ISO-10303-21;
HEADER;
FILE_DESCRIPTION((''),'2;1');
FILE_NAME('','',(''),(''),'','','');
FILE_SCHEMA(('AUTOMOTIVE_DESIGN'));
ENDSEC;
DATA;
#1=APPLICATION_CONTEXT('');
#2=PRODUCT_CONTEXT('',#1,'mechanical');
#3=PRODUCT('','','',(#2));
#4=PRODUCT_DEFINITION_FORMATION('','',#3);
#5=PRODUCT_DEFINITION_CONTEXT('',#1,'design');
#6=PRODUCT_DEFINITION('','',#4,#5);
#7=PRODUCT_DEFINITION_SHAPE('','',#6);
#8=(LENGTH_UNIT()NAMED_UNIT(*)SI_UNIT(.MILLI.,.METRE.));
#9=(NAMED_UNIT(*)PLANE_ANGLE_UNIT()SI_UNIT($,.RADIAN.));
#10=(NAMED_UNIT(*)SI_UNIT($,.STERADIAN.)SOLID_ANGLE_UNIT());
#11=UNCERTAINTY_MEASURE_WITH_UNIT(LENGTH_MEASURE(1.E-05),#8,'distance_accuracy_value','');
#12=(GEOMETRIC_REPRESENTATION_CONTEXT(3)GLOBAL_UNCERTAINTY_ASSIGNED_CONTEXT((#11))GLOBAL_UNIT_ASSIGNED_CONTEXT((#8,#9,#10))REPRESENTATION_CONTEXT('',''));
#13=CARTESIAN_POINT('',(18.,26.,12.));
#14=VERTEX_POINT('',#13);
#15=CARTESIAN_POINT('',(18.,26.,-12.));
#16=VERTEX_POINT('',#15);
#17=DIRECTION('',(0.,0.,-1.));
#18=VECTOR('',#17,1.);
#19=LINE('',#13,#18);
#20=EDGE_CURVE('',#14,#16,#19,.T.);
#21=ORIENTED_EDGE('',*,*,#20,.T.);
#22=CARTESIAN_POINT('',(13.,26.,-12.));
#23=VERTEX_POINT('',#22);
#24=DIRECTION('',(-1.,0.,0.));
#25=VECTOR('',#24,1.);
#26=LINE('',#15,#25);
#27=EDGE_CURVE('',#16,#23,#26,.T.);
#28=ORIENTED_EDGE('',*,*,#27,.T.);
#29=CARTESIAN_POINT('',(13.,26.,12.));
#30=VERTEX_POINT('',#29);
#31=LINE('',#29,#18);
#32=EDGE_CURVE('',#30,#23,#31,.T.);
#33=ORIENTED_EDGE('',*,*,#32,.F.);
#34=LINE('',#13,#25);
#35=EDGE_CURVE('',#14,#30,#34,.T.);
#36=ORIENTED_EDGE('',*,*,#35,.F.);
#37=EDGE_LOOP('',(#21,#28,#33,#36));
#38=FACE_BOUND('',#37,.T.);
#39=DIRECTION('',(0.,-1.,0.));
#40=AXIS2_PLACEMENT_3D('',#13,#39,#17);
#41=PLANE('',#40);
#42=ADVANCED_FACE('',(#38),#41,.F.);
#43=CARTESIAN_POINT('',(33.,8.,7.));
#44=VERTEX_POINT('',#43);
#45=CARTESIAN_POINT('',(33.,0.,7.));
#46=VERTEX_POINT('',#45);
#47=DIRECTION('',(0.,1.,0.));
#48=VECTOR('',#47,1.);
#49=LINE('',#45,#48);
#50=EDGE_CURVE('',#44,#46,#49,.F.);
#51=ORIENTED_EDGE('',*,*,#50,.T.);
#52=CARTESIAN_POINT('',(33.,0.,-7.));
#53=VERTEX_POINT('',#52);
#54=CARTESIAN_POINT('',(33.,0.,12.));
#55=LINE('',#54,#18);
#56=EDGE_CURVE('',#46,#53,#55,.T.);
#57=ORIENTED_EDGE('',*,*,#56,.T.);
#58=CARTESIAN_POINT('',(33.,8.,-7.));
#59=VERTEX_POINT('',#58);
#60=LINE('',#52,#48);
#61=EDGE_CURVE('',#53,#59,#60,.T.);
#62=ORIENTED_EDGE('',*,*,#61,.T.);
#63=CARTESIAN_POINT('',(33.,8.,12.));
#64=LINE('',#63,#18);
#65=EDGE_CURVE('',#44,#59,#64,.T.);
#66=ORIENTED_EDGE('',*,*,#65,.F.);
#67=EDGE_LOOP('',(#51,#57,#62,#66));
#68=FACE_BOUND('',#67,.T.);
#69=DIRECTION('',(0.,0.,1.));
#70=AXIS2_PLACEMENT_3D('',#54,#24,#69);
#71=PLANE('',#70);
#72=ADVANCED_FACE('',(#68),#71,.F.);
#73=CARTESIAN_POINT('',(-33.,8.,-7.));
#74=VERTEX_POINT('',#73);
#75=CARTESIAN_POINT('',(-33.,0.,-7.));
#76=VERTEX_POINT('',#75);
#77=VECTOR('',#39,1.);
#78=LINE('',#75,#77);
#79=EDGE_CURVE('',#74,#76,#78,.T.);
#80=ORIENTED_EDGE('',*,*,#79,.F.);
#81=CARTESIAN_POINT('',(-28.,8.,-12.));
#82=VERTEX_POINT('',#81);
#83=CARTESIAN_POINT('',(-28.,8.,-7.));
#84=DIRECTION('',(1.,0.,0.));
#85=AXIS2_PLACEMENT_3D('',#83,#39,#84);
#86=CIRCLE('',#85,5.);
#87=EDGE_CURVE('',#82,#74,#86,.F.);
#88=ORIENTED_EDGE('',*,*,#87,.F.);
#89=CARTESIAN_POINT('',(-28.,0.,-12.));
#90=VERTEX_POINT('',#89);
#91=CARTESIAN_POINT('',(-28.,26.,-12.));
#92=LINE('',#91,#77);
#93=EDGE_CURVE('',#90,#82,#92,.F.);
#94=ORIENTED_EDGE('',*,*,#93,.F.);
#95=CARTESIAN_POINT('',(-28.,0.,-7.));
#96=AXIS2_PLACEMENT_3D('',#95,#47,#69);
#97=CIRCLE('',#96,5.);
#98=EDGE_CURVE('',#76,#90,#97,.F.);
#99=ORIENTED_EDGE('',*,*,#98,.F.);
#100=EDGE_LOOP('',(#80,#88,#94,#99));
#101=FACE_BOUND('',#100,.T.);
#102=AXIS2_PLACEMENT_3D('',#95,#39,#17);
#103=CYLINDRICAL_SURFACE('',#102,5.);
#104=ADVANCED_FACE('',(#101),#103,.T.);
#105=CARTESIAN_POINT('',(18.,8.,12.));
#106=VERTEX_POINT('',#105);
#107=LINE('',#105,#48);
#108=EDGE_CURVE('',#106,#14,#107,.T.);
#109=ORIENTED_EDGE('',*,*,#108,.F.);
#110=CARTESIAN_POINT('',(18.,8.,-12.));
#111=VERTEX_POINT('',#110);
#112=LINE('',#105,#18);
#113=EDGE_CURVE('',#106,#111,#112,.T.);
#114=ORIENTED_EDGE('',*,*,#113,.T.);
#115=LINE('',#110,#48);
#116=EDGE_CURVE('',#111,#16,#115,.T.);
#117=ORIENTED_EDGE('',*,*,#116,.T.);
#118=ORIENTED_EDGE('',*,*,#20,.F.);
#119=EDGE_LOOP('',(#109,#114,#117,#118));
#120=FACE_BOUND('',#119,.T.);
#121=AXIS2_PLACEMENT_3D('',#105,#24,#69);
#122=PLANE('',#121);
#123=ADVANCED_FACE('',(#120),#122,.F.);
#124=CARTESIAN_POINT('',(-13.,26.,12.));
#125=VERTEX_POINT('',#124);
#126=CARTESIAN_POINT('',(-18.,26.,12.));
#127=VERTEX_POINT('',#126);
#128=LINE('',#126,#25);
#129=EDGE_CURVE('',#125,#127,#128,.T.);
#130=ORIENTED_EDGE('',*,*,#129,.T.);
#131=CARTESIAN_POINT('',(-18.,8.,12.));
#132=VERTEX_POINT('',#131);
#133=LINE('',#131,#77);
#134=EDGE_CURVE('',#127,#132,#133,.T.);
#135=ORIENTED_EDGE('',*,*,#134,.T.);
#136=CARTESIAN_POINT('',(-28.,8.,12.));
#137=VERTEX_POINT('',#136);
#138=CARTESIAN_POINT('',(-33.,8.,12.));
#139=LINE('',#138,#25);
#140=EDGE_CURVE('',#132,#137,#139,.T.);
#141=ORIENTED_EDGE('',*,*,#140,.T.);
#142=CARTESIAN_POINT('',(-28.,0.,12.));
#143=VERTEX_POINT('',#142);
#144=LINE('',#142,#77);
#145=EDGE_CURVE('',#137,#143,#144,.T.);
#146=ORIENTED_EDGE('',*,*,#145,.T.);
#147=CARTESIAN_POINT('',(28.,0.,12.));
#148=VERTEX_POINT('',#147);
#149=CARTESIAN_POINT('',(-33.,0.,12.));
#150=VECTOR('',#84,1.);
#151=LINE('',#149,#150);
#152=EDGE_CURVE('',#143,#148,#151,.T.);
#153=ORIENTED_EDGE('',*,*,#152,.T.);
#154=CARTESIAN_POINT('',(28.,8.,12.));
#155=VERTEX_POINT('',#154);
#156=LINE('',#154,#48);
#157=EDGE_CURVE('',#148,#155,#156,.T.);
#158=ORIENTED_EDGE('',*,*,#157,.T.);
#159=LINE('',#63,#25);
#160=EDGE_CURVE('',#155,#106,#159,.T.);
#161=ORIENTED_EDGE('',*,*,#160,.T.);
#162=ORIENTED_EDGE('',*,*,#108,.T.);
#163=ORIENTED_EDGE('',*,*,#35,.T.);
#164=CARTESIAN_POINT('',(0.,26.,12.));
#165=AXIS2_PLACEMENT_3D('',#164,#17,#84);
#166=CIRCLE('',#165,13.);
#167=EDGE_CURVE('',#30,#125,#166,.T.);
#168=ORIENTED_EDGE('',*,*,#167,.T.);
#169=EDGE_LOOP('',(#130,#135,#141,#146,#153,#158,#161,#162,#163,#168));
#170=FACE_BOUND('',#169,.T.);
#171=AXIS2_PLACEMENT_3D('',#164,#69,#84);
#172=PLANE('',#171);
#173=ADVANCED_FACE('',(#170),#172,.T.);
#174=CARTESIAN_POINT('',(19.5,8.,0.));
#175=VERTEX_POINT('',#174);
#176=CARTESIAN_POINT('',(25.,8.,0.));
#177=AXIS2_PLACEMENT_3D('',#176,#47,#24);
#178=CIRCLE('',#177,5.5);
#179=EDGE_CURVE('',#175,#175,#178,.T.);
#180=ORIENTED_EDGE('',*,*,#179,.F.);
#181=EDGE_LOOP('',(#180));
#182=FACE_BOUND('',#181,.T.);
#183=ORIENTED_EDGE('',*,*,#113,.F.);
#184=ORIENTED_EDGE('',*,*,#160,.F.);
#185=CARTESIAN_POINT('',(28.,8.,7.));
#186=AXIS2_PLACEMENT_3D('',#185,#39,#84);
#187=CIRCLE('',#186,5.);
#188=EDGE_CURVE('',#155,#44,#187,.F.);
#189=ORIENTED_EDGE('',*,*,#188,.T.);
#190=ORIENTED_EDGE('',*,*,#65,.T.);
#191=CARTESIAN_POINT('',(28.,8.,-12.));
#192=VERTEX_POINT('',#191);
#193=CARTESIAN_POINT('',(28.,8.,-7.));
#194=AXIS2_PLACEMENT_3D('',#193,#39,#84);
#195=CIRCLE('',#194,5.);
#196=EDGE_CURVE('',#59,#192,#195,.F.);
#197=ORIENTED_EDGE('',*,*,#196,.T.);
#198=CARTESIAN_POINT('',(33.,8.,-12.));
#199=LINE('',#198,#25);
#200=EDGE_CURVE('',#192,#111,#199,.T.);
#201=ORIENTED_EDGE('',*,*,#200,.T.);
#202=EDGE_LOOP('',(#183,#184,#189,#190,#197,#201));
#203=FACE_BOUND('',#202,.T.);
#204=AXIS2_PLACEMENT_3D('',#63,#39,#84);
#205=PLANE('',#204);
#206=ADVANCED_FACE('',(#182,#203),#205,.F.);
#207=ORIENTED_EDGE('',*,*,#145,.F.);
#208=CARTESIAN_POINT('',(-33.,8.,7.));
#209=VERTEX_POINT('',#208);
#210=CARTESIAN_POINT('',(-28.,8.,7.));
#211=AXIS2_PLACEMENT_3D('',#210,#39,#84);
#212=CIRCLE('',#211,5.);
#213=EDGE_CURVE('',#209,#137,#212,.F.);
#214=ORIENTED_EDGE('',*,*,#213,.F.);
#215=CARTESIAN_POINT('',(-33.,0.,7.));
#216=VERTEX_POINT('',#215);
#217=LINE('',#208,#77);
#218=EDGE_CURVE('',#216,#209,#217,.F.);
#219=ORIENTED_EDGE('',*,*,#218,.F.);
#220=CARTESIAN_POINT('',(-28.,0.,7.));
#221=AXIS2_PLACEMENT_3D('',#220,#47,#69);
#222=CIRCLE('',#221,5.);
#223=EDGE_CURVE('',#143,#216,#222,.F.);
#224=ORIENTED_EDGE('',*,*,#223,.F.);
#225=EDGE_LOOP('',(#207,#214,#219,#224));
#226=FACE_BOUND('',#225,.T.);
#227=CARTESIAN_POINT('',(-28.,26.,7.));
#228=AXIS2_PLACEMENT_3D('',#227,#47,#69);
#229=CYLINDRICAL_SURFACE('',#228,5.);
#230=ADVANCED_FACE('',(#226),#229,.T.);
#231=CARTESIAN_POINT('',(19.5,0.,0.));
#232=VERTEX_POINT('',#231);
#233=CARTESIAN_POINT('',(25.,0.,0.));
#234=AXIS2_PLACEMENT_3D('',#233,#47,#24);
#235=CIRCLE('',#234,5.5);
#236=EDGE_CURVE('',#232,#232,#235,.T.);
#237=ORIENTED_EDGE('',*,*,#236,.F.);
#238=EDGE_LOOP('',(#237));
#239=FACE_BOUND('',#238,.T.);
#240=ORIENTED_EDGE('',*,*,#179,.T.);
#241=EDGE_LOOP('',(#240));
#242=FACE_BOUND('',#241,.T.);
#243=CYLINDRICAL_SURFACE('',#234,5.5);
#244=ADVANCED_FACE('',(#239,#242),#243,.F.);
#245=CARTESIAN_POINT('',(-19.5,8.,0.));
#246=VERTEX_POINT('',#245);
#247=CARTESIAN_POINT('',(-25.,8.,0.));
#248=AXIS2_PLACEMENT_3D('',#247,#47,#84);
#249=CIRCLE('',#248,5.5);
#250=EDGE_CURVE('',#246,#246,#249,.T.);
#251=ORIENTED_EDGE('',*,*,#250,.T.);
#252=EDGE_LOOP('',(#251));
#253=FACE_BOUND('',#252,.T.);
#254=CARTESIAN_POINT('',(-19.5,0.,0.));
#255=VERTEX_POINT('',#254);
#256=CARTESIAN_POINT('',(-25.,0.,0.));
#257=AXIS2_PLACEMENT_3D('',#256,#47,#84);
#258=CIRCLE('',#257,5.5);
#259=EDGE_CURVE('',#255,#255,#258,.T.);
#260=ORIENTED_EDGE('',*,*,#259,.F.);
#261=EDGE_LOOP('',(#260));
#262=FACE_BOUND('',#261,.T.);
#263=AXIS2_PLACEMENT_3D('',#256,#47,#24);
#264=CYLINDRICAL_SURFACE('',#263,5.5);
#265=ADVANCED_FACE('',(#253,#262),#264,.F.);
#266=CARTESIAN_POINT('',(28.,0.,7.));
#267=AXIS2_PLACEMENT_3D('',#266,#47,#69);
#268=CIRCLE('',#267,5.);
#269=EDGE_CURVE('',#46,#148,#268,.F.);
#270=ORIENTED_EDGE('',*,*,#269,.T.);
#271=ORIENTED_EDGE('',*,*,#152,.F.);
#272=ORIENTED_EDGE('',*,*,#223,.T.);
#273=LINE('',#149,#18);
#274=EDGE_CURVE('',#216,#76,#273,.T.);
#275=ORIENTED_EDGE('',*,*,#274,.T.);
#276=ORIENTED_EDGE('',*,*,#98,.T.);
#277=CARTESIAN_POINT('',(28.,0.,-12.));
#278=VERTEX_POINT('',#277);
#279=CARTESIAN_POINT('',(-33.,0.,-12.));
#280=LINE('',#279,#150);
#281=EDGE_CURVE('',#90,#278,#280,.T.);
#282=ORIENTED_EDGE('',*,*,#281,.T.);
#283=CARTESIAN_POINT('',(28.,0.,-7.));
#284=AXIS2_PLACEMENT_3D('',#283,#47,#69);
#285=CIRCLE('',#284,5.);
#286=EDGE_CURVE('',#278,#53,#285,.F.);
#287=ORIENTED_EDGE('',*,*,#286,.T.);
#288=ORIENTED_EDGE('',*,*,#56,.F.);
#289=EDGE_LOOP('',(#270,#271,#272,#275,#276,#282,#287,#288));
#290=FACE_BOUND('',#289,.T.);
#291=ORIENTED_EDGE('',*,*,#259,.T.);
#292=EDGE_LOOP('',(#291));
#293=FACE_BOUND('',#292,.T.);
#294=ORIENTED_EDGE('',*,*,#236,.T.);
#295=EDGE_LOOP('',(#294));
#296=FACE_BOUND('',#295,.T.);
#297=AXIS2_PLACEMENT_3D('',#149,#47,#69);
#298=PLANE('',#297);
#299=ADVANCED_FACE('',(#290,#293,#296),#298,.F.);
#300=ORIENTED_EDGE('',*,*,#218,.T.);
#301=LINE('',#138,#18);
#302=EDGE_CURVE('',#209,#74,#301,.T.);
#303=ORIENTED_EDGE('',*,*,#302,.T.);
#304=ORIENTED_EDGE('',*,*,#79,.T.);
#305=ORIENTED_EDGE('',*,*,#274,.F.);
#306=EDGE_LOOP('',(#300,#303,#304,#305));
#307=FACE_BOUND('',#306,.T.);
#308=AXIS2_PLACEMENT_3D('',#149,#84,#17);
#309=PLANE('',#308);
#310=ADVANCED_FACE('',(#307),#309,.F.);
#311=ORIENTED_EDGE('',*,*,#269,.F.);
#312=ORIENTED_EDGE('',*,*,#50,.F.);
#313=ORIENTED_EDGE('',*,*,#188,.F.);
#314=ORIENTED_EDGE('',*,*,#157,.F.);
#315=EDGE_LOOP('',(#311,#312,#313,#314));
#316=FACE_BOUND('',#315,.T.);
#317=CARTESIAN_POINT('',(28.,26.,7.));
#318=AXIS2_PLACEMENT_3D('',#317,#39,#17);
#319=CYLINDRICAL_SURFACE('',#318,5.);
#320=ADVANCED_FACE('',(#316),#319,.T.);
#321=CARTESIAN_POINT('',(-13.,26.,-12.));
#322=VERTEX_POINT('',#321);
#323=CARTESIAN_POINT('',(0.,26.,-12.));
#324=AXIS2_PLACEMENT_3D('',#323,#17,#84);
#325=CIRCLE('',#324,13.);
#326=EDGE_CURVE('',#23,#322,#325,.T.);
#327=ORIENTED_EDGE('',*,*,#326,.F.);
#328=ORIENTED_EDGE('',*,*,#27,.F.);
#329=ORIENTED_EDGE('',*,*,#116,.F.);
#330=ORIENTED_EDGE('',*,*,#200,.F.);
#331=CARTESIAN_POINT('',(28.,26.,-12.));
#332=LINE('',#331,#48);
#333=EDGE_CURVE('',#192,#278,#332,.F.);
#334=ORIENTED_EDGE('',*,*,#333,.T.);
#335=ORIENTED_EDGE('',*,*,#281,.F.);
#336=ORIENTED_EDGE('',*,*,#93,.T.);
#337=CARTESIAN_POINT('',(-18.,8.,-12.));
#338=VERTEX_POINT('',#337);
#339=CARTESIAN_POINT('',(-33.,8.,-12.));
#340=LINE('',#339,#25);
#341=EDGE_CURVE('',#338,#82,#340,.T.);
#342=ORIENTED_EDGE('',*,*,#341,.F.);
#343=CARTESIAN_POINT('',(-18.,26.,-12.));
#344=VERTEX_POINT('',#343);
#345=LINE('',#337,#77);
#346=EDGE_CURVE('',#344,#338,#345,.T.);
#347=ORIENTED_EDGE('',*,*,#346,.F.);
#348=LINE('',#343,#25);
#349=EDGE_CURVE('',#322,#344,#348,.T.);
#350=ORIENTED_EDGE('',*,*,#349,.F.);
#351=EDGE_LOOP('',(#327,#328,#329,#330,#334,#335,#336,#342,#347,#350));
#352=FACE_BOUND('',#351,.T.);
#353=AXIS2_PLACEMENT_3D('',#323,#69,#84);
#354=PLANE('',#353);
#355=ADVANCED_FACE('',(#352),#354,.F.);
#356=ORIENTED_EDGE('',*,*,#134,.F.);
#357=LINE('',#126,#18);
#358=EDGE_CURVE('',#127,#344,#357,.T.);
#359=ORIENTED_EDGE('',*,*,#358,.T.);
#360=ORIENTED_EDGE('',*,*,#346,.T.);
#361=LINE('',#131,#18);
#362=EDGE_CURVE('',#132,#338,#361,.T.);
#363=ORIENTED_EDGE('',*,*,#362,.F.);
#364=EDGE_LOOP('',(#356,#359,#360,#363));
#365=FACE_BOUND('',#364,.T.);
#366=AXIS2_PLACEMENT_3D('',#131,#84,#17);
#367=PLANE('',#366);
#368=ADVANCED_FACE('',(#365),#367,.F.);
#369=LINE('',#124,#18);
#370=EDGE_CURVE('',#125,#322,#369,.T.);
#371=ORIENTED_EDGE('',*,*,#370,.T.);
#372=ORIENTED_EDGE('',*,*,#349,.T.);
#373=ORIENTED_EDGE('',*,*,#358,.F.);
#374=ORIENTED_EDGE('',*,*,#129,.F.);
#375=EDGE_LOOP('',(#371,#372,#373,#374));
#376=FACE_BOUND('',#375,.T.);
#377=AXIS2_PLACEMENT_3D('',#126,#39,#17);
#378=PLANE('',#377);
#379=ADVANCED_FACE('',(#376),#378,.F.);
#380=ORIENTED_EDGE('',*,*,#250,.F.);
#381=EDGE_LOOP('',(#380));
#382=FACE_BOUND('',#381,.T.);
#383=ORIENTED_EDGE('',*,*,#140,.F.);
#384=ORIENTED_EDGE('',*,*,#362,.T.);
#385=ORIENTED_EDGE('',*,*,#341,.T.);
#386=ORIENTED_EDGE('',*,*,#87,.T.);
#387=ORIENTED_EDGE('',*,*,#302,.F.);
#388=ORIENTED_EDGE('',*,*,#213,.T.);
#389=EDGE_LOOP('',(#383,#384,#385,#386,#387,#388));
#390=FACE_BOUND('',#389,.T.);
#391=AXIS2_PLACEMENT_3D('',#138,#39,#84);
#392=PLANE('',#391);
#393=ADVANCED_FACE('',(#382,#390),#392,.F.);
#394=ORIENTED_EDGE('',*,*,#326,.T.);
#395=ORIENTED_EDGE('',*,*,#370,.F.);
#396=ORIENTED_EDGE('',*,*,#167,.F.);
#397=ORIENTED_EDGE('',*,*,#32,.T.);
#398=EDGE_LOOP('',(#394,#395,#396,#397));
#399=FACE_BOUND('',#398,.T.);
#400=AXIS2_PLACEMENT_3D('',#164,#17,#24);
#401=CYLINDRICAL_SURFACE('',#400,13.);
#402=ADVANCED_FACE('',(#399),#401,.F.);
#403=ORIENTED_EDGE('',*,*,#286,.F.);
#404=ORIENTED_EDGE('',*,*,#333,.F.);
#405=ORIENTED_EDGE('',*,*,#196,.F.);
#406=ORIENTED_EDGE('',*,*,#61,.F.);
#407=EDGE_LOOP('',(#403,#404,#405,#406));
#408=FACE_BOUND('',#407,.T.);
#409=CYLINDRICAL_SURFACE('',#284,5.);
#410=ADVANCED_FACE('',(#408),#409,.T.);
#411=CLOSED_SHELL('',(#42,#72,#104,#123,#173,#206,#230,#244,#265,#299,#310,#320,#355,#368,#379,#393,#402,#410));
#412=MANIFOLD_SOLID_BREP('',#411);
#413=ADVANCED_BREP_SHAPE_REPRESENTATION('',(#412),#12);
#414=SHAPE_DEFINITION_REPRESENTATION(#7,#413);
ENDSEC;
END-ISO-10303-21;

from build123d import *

# Parameters (mm, degrees)
EXTRUDE_1_DEPTH     = 12
SKETCH_2_R          = 5.5
CUT_EXTRUDE_1_DEPTH = 40.458839314
FILLET_1_R          = 5


with BuildPart() as part:
    # 草图1 → 凸台-拉伸1 (new, symmetric)
    with BuildSketch(Plane.XY):
        with BuildLine():
            Line((-33, 0), (33, 0))
            Line((33, 0), (33, 8))
            Line((33, 8), (18, 8))
            Line((18, 8), (18, 26))
            Line((18, 26), (13, 26))
            ThreePointArc((13, 26), (0, 13), (-13, 26))
            Line((-13, 26), (-18, 26))
            Line((-18, 26), (-18, 8))
            Line((-18, 8), (-33, 8))
            Line((-33, 8), (-33, 0))
        make_face()
    extrude(amount=EXTRUDE_1_DEPTH, both=True)

    # 草图2 → 切除-拉伸1 (cut, through all)
    with BuildSketch(Plane(origin=(0, 8, 0), x_dir=(1, 0, 0), z_dir=(0, 1, 0))):
        with Locations(Location((25, 0, 0), (0, 0, 180))):
            Circle(SKETCH_2_R)
        with Locations((-25, 0)):
            Circle(SKETCH_2_R)
    extrude(amount=-CUT_EXTRUDE_1_DEPTH, mode=Mode.SUBTRACT)

    # 圆角1
    fillet_1_edges = [part.edges().sort_by_distance(p)[0] for p in [
        (33, 4, -12),
        (-33, 4, -12),
        (-33, 4, 12),
        (33, 4, 12),
    ]]
    fillet(fillet_1_edges, radius=FILLET_1_R)


solid = part.part
